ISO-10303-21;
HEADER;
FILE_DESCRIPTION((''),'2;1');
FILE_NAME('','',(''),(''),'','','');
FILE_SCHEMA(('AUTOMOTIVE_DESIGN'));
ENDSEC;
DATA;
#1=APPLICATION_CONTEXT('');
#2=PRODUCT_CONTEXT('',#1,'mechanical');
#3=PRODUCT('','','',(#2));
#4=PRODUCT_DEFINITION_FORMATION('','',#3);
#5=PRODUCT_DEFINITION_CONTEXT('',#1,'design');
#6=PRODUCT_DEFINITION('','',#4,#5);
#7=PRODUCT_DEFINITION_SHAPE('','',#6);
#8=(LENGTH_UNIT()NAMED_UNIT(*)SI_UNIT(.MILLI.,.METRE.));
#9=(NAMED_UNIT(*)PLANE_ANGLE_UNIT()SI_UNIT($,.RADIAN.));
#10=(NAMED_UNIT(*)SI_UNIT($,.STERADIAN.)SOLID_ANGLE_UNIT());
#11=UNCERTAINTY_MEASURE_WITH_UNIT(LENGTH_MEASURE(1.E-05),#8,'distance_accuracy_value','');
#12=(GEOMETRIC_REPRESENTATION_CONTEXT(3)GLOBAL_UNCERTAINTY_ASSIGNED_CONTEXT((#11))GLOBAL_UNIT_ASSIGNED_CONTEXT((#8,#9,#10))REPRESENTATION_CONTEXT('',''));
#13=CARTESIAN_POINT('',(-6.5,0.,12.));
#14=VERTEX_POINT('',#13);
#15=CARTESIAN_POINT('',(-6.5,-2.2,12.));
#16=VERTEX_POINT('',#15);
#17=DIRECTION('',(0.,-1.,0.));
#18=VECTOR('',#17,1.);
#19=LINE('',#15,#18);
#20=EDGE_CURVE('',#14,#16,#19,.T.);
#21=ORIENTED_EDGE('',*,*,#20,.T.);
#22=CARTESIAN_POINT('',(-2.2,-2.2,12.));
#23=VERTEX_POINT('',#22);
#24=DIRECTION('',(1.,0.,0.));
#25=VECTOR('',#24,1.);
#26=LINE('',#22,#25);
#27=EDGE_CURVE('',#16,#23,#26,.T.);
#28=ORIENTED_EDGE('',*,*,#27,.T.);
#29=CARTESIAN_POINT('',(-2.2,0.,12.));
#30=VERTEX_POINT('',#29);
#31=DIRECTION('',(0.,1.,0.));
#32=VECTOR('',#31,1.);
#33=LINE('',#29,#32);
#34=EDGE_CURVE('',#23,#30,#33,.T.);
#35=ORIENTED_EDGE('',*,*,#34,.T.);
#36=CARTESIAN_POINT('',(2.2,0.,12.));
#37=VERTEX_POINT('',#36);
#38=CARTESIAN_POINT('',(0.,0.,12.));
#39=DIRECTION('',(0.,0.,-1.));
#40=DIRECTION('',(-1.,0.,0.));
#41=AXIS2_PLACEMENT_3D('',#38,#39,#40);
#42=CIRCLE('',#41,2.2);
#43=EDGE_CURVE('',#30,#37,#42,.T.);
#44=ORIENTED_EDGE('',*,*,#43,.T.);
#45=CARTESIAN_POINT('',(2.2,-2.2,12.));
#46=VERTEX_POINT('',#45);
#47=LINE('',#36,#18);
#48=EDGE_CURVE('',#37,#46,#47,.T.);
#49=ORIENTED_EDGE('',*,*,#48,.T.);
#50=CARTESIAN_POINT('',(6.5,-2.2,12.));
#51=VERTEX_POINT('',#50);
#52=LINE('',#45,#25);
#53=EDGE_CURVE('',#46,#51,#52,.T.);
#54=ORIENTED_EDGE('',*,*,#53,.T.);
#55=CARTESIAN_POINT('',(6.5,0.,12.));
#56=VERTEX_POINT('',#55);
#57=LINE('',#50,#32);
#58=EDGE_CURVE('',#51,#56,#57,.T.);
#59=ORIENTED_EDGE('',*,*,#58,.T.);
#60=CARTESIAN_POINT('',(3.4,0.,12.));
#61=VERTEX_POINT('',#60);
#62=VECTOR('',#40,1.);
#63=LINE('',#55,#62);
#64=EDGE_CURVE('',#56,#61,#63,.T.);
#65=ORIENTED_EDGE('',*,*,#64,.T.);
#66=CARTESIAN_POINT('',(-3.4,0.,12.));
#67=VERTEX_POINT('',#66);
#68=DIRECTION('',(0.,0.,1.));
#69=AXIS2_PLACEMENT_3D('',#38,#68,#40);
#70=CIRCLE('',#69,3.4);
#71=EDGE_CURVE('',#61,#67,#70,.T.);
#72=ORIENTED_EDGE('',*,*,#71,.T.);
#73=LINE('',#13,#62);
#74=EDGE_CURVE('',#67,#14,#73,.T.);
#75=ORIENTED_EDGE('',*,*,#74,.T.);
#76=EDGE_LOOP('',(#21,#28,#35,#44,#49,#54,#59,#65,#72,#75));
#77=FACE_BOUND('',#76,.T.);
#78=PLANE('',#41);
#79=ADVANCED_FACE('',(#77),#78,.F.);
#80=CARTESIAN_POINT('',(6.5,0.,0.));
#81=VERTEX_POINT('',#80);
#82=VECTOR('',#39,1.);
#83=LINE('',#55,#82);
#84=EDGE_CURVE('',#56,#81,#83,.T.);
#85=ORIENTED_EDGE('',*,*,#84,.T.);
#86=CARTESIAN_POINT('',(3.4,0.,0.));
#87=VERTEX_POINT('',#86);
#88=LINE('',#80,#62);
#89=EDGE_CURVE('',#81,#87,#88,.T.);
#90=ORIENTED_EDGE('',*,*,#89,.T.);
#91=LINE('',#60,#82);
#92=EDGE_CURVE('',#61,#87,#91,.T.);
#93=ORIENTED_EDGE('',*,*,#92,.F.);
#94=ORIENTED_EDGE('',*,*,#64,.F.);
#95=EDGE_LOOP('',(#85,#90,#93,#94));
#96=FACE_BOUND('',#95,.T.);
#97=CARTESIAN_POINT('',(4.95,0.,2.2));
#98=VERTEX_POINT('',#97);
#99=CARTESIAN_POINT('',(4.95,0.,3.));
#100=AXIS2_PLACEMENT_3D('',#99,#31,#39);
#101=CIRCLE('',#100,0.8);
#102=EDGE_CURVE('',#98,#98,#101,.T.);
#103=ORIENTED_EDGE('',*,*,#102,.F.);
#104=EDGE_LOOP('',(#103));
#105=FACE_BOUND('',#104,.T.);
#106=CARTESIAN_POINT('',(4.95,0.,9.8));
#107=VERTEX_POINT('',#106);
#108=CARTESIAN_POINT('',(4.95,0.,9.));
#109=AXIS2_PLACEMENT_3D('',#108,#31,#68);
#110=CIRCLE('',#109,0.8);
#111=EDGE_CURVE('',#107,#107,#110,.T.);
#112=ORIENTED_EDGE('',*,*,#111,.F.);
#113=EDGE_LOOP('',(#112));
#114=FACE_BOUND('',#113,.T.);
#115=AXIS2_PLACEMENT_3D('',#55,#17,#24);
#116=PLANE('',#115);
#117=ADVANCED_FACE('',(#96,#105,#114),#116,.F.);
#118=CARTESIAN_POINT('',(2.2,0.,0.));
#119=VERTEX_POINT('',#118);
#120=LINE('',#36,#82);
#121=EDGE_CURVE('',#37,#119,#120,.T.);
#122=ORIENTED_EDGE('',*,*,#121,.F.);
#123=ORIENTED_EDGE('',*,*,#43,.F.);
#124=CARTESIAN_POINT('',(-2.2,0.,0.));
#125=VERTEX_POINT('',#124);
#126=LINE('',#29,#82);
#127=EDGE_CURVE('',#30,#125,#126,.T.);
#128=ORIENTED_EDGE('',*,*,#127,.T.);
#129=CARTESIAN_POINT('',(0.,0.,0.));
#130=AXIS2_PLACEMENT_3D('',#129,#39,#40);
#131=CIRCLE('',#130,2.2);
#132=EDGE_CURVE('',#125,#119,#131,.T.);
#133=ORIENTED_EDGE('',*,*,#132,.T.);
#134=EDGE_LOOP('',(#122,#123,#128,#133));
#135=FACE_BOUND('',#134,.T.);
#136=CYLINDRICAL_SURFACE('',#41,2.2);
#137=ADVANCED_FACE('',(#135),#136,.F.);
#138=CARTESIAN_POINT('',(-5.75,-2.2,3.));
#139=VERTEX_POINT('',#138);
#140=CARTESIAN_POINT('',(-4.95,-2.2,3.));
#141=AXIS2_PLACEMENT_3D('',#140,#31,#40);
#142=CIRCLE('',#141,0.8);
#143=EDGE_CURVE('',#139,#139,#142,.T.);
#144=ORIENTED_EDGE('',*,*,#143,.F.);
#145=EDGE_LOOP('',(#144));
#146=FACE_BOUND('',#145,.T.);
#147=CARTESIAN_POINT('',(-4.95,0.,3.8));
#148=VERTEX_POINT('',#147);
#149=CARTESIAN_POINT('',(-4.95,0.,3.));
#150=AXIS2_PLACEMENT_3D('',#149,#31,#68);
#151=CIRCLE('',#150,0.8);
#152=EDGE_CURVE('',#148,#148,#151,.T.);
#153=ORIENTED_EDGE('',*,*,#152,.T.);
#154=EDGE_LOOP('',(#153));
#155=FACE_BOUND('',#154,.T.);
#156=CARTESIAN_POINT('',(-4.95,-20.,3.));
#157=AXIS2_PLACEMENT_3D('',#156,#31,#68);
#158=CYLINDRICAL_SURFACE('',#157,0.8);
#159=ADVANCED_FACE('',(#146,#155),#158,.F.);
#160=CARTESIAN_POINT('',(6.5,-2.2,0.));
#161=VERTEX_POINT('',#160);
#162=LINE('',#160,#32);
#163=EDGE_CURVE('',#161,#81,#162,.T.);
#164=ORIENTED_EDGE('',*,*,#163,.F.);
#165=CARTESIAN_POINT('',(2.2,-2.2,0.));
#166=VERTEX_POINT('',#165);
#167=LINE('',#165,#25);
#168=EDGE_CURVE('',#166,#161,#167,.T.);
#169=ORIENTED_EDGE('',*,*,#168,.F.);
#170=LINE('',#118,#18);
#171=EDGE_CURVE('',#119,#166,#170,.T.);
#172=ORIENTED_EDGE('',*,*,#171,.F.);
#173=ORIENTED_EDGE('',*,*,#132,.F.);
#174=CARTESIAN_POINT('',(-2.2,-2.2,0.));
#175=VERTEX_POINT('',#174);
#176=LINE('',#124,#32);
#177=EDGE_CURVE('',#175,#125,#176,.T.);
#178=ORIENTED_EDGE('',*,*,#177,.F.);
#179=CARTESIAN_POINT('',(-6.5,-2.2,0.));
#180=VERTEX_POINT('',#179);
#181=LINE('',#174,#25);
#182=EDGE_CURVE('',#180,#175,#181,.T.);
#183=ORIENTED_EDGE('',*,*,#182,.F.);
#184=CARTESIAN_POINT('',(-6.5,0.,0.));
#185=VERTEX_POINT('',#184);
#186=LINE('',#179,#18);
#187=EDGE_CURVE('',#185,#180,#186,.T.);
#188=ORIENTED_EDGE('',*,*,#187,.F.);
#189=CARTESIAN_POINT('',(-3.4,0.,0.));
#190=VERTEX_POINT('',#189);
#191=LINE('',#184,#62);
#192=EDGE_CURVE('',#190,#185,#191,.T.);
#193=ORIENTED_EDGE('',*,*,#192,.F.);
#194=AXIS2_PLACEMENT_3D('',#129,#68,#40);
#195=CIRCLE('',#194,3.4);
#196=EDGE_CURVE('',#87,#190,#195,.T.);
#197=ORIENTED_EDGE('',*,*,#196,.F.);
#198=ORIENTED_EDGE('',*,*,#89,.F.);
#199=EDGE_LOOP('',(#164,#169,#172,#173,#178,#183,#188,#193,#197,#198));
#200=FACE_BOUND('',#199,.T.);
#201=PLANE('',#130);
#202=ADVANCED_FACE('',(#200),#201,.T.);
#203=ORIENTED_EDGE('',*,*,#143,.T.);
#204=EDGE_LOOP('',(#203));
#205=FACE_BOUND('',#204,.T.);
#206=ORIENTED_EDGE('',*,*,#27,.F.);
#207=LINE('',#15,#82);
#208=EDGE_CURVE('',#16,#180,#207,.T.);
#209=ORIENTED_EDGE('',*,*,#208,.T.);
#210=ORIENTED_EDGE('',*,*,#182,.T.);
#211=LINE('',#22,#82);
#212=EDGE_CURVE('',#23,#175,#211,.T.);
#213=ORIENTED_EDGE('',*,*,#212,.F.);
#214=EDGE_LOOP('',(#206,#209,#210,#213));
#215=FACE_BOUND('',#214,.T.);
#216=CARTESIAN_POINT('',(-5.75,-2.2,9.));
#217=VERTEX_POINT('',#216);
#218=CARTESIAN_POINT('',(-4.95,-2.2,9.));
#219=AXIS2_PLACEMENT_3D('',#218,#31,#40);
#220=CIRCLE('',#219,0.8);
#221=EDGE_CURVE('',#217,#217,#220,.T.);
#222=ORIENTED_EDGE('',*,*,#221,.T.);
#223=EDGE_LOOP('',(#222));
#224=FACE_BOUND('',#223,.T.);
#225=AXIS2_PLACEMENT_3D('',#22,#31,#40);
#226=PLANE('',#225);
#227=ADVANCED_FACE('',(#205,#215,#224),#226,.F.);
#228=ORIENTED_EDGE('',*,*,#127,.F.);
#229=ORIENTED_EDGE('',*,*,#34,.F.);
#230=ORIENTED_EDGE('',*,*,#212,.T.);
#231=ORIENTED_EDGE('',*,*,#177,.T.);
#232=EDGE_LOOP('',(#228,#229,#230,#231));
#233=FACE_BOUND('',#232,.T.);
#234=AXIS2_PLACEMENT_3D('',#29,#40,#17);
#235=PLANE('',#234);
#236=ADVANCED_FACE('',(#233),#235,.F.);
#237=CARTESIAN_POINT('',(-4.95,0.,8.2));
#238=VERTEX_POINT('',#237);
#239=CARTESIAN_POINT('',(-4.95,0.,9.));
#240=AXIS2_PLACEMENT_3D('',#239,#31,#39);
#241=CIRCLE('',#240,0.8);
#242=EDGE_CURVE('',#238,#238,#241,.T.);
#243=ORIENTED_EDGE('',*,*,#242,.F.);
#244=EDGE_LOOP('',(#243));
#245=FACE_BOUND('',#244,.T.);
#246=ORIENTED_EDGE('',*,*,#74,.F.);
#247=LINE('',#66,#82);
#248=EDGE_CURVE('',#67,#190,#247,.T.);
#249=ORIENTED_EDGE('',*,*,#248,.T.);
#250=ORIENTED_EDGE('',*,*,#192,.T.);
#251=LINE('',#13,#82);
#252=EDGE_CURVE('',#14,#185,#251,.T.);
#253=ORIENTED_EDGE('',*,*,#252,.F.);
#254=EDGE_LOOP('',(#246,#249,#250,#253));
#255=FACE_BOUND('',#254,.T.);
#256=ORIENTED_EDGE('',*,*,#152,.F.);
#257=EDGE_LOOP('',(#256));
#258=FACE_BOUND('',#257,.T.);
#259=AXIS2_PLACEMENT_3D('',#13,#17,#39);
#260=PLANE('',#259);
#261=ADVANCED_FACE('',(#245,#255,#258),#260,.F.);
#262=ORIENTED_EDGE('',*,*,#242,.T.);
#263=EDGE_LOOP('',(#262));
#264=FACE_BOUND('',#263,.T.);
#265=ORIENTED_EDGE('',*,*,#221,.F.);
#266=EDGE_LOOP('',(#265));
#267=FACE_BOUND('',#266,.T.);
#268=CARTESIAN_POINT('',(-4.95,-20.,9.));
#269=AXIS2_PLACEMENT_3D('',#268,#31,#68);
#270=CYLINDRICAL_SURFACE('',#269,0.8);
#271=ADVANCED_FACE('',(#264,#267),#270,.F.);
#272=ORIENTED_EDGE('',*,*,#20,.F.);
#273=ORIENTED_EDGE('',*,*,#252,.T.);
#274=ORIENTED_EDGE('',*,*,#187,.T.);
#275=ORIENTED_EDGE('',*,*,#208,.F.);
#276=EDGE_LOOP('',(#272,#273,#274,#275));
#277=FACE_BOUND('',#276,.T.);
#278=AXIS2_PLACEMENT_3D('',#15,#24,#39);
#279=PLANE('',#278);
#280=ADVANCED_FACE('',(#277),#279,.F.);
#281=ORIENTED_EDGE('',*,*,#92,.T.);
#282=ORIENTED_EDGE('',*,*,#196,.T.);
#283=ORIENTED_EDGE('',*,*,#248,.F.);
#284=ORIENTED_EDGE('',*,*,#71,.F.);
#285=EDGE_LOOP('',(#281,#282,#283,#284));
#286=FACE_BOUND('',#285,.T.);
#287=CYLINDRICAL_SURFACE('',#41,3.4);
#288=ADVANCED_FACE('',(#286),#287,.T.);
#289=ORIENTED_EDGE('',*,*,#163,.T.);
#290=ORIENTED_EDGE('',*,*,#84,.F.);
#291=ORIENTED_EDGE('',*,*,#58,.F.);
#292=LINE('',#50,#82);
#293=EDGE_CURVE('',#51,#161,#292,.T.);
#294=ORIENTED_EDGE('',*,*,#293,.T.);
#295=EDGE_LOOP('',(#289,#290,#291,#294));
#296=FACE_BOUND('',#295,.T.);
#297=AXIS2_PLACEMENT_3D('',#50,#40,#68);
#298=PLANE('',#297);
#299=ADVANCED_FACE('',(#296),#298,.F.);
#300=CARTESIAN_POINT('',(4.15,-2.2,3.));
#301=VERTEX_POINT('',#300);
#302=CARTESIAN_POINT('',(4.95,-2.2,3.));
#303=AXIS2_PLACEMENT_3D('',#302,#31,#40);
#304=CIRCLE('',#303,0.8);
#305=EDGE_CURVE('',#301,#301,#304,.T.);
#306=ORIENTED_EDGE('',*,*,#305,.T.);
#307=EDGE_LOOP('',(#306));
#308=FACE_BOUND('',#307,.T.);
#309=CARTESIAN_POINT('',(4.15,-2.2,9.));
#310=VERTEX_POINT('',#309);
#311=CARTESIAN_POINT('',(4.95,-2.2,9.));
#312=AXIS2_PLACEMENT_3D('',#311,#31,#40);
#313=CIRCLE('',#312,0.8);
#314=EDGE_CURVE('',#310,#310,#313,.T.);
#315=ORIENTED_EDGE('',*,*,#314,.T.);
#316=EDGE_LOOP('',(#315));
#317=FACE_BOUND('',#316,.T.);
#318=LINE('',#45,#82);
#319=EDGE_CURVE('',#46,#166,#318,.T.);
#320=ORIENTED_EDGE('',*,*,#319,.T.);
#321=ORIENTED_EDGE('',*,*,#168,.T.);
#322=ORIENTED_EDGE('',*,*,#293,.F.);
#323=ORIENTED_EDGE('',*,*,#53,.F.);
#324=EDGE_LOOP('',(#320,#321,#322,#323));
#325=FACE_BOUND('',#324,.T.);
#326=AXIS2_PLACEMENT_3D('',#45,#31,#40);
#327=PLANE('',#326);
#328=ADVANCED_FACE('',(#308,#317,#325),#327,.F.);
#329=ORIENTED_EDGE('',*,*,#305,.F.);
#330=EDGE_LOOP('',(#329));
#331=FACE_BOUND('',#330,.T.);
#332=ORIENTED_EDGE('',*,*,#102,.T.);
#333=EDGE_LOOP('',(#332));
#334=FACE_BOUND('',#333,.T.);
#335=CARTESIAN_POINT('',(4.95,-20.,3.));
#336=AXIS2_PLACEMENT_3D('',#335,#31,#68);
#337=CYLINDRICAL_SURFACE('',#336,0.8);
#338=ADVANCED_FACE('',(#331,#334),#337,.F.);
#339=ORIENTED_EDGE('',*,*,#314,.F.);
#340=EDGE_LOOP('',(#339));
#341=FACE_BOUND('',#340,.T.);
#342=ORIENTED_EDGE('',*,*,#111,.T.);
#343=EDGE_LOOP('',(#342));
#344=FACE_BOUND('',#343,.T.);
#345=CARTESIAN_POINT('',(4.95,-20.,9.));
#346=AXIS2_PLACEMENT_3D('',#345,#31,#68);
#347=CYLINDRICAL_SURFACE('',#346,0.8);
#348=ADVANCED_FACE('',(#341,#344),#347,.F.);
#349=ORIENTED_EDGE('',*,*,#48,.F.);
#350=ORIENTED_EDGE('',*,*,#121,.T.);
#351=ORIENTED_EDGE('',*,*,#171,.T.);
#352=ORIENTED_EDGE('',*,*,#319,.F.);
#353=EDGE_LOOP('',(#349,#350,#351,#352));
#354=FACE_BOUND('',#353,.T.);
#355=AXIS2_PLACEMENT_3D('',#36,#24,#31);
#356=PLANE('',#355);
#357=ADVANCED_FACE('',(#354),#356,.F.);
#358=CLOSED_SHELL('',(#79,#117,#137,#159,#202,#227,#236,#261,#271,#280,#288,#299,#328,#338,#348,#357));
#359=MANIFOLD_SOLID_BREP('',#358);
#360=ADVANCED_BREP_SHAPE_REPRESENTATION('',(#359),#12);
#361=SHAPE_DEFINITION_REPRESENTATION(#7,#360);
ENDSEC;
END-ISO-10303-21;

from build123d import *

# Parameters (mm, degrees)
BOSS_EXTRUDE1_DEPTH = 12
SKETCH2_R           = 0.8
CUT_EXTRUDE1_DEPTH  = 20


with BuildPart() as part:
    # Sketch1 → Boss-Extrude1 (new body)
    with BuildSketch(Plane.XY):
        with BuildLine():
            Line((-2.2, 0), (-2.2, -2.2))
            Line((-2.2, -2.2), (-6.5, -2.2))
            Line((-6.5, -2.2), (-6.5, 0))
            Line((-6.5, 0), (-3.4, 0))
            ThreePointArc((-3.4, 0), (0, 3.4), (3.4, 0))
            Line((3.4, 0), (6.5, 0))
            Line((6.5, 0), (6.5, -2.2))
            Line((6.5, -2.2), (2.2, -2.2))
            Line((2.2, -2.2), (2.2, 0))
            ThreePointArc((2.2, 0), (0, 2.2), (-2.2, 0))
        make_face()
    extrude(amount=BOSS_EXTRUDE1_DEPTH)

    # Sketch2 → Cut-Extrude1 (cut)
    with BuildSketch(Plane(origin=(0, 0, 0), x_dir=(1, 0, 0), z_dir=(0, 1, 0))):
        with Locations(Location((-4.95, -3, 0), (0, 0, 270))):
            Circle(SKETCH2_R)
        with Locations(Location((-4.95, -9, 0), (0, 0, 180))):
            Circle(SKETCH2_R)
        with Locations(Location((4.95, -3, 0), (0, 0, 180))):
            Circle(SKETCH2_R)
        with Locations(Location((4.95, -9, 0), (0, 0, 270))):
            Circle(SKETCH2_R)
    extrude(amount=-CUT_EXTRUDE1_DEPTH, mode=Mode.SUBTRACT)


solid = part.part
